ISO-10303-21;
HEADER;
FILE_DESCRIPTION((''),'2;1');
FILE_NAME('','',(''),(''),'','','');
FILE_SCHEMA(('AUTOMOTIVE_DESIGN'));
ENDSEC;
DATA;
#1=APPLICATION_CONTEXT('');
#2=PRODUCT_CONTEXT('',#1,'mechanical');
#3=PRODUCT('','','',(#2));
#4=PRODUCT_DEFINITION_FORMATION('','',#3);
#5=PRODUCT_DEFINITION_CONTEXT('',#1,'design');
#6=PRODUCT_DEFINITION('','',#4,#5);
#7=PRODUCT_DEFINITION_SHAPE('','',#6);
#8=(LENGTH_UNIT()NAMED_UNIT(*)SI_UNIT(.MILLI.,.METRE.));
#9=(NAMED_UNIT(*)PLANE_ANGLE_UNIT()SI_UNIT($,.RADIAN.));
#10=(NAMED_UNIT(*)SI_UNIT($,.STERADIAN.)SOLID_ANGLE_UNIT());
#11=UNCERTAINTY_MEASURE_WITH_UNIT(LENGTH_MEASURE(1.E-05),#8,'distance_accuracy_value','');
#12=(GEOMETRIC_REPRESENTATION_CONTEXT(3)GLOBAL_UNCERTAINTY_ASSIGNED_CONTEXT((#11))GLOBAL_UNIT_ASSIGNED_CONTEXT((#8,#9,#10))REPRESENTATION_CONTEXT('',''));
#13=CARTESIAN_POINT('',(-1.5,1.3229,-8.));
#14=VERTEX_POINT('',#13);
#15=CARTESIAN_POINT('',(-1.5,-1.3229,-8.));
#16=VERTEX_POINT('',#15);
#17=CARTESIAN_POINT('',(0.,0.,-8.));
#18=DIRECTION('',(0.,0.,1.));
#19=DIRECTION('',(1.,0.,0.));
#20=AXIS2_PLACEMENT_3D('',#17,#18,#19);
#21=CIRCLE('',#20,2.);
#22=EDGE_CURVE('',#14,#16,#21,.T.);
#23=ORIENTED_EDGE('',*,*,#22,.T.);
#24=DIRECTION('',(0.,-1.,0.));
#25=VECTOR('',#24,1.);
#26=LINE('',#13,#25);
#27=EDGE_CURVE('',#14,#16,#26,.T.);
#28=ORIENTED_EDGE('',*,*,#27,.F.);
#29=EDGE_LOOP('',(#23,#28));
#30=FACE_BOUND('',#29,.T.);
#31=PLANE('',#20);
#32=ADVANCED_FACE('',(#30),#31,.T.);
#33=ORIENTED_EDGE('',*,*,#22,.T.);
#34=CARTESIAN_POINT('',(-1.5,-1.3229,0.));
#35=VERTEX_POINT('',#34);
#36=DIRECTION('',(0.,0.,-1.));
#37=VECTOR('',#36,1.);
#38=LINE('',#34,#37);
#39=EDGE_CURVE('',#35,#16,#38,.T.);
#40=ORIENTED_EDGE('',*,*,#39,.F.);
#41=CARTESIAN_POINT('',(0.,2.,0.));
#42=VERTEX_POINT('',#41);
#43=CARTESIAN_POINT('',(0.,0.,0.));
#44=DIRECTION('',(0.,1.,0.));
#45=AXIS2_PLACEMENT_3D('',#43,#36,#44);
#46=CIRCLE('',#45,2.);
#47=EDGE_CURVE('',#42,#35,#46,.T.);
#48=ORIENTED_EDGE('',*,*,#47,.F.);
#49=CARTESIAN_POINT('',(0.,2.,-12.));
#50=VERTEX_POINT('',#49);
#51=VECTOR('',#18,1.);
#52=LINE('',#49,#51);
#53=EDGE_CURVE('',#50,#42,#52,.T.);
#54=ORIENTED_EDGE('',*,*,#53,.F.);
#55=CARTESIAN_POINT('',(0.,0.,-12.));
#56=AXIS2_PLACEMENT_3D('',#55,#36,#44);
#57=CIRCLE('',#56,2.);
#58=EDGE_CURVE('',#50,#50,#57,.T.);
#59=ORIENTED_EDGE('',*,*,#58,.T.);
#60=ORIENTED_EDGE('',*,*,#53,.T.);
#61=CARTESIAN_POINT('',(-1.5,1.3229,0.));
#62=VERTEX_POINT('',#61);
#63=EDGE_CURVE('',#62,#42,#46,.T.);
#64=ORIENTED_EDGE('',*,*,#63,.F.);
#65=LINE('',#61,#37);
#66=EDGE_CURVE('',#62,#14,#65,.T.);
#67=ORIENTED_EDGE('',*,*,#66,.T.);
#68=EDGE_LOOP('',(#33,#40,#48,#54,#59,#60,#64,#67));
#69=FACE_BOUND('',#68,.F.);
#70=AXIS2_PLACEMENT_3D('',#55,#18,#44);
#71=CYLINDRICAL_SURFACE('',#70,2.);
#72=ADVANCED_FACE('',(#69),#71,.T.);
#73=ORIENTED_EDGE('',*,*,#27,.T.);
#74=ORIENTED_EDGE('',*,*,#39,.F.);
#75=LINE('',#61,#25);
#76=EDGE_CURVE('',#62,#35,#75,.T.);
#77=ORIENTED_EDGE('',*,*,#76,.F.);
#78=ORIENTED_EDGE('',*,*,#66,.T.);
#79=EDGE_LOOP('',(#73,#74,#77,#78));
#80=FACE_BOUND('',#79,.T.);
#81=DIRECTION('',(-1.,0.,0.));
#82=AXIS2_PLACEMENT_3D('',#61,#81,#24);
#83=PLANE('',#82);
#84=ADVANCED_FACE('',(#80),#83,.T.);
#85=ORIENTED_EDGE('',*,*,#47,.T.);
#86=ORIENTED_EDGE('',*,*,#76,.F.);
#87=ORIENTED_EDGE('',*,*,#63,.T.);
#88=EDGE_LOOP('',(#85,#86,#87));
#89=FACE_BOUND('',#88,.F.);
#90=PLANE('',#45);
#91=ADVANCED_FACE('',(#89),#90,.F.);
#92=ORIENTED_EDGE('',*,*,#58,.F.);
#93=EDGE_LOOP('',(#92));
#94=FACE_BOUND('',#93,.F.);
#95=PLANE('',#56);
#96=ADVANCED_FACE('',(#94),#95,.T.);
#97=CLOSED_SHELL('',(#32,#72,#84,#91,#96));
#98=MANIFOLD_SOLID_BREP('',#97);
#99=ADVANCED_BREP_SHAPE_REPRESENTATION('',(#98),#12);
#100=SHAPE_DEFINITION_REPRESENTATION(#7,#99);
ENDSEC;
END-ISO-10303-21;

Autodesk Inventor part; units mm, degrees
ref_plane "YZ Plane" through (0, 0, 0) normal (1, 0, 0) x (0, 1, 0)
ref_plane "XZ Plane" through (0, 0, 0) normal (0, 1, 0) x (-1, 0, 0)
ref_plane "XY Plane" through (0, 0, 0) normal (0, 0, 1) x (1, 0, 0)
sketch "草圖1" plane through (0, 0, 0) normal (1, 0, 0) x (0, 1, 0)
  line L0 (2, 0) -> (-2, 0)
  line L1 (-2, 0) -> (-2, -12)
  line L2 (-2, -12) -> (2, -12)
  line L3 (2, -12) -> (2, 0)
  line L4 (0, 0) -> (0, -12)
  dimension "d0" = 12
  dimension "d1" = 4
revolve "迴轉1" add sketch "草圖1" angle 360 about axis through (0, 0, 0) along (0, 0, -1) contours L3 L2 L4 L0
sketch "草圖2" plane through (0, 0, 0) normal (0, 0, 1) x (1, 0, 0)
  circle A0 centre (0, 0) radius 2
  line L0 (-1.5, 1.3229) -> (-1.5, -1.3229)
  dimension "d3" = 4
  dimension "d4" = 1.5
extrude "擠出1" cut sketch "草圖2" against normal blind 8 contours L0 A0 picked at (-1.5908, -0.3089)
properties part number "軸"
